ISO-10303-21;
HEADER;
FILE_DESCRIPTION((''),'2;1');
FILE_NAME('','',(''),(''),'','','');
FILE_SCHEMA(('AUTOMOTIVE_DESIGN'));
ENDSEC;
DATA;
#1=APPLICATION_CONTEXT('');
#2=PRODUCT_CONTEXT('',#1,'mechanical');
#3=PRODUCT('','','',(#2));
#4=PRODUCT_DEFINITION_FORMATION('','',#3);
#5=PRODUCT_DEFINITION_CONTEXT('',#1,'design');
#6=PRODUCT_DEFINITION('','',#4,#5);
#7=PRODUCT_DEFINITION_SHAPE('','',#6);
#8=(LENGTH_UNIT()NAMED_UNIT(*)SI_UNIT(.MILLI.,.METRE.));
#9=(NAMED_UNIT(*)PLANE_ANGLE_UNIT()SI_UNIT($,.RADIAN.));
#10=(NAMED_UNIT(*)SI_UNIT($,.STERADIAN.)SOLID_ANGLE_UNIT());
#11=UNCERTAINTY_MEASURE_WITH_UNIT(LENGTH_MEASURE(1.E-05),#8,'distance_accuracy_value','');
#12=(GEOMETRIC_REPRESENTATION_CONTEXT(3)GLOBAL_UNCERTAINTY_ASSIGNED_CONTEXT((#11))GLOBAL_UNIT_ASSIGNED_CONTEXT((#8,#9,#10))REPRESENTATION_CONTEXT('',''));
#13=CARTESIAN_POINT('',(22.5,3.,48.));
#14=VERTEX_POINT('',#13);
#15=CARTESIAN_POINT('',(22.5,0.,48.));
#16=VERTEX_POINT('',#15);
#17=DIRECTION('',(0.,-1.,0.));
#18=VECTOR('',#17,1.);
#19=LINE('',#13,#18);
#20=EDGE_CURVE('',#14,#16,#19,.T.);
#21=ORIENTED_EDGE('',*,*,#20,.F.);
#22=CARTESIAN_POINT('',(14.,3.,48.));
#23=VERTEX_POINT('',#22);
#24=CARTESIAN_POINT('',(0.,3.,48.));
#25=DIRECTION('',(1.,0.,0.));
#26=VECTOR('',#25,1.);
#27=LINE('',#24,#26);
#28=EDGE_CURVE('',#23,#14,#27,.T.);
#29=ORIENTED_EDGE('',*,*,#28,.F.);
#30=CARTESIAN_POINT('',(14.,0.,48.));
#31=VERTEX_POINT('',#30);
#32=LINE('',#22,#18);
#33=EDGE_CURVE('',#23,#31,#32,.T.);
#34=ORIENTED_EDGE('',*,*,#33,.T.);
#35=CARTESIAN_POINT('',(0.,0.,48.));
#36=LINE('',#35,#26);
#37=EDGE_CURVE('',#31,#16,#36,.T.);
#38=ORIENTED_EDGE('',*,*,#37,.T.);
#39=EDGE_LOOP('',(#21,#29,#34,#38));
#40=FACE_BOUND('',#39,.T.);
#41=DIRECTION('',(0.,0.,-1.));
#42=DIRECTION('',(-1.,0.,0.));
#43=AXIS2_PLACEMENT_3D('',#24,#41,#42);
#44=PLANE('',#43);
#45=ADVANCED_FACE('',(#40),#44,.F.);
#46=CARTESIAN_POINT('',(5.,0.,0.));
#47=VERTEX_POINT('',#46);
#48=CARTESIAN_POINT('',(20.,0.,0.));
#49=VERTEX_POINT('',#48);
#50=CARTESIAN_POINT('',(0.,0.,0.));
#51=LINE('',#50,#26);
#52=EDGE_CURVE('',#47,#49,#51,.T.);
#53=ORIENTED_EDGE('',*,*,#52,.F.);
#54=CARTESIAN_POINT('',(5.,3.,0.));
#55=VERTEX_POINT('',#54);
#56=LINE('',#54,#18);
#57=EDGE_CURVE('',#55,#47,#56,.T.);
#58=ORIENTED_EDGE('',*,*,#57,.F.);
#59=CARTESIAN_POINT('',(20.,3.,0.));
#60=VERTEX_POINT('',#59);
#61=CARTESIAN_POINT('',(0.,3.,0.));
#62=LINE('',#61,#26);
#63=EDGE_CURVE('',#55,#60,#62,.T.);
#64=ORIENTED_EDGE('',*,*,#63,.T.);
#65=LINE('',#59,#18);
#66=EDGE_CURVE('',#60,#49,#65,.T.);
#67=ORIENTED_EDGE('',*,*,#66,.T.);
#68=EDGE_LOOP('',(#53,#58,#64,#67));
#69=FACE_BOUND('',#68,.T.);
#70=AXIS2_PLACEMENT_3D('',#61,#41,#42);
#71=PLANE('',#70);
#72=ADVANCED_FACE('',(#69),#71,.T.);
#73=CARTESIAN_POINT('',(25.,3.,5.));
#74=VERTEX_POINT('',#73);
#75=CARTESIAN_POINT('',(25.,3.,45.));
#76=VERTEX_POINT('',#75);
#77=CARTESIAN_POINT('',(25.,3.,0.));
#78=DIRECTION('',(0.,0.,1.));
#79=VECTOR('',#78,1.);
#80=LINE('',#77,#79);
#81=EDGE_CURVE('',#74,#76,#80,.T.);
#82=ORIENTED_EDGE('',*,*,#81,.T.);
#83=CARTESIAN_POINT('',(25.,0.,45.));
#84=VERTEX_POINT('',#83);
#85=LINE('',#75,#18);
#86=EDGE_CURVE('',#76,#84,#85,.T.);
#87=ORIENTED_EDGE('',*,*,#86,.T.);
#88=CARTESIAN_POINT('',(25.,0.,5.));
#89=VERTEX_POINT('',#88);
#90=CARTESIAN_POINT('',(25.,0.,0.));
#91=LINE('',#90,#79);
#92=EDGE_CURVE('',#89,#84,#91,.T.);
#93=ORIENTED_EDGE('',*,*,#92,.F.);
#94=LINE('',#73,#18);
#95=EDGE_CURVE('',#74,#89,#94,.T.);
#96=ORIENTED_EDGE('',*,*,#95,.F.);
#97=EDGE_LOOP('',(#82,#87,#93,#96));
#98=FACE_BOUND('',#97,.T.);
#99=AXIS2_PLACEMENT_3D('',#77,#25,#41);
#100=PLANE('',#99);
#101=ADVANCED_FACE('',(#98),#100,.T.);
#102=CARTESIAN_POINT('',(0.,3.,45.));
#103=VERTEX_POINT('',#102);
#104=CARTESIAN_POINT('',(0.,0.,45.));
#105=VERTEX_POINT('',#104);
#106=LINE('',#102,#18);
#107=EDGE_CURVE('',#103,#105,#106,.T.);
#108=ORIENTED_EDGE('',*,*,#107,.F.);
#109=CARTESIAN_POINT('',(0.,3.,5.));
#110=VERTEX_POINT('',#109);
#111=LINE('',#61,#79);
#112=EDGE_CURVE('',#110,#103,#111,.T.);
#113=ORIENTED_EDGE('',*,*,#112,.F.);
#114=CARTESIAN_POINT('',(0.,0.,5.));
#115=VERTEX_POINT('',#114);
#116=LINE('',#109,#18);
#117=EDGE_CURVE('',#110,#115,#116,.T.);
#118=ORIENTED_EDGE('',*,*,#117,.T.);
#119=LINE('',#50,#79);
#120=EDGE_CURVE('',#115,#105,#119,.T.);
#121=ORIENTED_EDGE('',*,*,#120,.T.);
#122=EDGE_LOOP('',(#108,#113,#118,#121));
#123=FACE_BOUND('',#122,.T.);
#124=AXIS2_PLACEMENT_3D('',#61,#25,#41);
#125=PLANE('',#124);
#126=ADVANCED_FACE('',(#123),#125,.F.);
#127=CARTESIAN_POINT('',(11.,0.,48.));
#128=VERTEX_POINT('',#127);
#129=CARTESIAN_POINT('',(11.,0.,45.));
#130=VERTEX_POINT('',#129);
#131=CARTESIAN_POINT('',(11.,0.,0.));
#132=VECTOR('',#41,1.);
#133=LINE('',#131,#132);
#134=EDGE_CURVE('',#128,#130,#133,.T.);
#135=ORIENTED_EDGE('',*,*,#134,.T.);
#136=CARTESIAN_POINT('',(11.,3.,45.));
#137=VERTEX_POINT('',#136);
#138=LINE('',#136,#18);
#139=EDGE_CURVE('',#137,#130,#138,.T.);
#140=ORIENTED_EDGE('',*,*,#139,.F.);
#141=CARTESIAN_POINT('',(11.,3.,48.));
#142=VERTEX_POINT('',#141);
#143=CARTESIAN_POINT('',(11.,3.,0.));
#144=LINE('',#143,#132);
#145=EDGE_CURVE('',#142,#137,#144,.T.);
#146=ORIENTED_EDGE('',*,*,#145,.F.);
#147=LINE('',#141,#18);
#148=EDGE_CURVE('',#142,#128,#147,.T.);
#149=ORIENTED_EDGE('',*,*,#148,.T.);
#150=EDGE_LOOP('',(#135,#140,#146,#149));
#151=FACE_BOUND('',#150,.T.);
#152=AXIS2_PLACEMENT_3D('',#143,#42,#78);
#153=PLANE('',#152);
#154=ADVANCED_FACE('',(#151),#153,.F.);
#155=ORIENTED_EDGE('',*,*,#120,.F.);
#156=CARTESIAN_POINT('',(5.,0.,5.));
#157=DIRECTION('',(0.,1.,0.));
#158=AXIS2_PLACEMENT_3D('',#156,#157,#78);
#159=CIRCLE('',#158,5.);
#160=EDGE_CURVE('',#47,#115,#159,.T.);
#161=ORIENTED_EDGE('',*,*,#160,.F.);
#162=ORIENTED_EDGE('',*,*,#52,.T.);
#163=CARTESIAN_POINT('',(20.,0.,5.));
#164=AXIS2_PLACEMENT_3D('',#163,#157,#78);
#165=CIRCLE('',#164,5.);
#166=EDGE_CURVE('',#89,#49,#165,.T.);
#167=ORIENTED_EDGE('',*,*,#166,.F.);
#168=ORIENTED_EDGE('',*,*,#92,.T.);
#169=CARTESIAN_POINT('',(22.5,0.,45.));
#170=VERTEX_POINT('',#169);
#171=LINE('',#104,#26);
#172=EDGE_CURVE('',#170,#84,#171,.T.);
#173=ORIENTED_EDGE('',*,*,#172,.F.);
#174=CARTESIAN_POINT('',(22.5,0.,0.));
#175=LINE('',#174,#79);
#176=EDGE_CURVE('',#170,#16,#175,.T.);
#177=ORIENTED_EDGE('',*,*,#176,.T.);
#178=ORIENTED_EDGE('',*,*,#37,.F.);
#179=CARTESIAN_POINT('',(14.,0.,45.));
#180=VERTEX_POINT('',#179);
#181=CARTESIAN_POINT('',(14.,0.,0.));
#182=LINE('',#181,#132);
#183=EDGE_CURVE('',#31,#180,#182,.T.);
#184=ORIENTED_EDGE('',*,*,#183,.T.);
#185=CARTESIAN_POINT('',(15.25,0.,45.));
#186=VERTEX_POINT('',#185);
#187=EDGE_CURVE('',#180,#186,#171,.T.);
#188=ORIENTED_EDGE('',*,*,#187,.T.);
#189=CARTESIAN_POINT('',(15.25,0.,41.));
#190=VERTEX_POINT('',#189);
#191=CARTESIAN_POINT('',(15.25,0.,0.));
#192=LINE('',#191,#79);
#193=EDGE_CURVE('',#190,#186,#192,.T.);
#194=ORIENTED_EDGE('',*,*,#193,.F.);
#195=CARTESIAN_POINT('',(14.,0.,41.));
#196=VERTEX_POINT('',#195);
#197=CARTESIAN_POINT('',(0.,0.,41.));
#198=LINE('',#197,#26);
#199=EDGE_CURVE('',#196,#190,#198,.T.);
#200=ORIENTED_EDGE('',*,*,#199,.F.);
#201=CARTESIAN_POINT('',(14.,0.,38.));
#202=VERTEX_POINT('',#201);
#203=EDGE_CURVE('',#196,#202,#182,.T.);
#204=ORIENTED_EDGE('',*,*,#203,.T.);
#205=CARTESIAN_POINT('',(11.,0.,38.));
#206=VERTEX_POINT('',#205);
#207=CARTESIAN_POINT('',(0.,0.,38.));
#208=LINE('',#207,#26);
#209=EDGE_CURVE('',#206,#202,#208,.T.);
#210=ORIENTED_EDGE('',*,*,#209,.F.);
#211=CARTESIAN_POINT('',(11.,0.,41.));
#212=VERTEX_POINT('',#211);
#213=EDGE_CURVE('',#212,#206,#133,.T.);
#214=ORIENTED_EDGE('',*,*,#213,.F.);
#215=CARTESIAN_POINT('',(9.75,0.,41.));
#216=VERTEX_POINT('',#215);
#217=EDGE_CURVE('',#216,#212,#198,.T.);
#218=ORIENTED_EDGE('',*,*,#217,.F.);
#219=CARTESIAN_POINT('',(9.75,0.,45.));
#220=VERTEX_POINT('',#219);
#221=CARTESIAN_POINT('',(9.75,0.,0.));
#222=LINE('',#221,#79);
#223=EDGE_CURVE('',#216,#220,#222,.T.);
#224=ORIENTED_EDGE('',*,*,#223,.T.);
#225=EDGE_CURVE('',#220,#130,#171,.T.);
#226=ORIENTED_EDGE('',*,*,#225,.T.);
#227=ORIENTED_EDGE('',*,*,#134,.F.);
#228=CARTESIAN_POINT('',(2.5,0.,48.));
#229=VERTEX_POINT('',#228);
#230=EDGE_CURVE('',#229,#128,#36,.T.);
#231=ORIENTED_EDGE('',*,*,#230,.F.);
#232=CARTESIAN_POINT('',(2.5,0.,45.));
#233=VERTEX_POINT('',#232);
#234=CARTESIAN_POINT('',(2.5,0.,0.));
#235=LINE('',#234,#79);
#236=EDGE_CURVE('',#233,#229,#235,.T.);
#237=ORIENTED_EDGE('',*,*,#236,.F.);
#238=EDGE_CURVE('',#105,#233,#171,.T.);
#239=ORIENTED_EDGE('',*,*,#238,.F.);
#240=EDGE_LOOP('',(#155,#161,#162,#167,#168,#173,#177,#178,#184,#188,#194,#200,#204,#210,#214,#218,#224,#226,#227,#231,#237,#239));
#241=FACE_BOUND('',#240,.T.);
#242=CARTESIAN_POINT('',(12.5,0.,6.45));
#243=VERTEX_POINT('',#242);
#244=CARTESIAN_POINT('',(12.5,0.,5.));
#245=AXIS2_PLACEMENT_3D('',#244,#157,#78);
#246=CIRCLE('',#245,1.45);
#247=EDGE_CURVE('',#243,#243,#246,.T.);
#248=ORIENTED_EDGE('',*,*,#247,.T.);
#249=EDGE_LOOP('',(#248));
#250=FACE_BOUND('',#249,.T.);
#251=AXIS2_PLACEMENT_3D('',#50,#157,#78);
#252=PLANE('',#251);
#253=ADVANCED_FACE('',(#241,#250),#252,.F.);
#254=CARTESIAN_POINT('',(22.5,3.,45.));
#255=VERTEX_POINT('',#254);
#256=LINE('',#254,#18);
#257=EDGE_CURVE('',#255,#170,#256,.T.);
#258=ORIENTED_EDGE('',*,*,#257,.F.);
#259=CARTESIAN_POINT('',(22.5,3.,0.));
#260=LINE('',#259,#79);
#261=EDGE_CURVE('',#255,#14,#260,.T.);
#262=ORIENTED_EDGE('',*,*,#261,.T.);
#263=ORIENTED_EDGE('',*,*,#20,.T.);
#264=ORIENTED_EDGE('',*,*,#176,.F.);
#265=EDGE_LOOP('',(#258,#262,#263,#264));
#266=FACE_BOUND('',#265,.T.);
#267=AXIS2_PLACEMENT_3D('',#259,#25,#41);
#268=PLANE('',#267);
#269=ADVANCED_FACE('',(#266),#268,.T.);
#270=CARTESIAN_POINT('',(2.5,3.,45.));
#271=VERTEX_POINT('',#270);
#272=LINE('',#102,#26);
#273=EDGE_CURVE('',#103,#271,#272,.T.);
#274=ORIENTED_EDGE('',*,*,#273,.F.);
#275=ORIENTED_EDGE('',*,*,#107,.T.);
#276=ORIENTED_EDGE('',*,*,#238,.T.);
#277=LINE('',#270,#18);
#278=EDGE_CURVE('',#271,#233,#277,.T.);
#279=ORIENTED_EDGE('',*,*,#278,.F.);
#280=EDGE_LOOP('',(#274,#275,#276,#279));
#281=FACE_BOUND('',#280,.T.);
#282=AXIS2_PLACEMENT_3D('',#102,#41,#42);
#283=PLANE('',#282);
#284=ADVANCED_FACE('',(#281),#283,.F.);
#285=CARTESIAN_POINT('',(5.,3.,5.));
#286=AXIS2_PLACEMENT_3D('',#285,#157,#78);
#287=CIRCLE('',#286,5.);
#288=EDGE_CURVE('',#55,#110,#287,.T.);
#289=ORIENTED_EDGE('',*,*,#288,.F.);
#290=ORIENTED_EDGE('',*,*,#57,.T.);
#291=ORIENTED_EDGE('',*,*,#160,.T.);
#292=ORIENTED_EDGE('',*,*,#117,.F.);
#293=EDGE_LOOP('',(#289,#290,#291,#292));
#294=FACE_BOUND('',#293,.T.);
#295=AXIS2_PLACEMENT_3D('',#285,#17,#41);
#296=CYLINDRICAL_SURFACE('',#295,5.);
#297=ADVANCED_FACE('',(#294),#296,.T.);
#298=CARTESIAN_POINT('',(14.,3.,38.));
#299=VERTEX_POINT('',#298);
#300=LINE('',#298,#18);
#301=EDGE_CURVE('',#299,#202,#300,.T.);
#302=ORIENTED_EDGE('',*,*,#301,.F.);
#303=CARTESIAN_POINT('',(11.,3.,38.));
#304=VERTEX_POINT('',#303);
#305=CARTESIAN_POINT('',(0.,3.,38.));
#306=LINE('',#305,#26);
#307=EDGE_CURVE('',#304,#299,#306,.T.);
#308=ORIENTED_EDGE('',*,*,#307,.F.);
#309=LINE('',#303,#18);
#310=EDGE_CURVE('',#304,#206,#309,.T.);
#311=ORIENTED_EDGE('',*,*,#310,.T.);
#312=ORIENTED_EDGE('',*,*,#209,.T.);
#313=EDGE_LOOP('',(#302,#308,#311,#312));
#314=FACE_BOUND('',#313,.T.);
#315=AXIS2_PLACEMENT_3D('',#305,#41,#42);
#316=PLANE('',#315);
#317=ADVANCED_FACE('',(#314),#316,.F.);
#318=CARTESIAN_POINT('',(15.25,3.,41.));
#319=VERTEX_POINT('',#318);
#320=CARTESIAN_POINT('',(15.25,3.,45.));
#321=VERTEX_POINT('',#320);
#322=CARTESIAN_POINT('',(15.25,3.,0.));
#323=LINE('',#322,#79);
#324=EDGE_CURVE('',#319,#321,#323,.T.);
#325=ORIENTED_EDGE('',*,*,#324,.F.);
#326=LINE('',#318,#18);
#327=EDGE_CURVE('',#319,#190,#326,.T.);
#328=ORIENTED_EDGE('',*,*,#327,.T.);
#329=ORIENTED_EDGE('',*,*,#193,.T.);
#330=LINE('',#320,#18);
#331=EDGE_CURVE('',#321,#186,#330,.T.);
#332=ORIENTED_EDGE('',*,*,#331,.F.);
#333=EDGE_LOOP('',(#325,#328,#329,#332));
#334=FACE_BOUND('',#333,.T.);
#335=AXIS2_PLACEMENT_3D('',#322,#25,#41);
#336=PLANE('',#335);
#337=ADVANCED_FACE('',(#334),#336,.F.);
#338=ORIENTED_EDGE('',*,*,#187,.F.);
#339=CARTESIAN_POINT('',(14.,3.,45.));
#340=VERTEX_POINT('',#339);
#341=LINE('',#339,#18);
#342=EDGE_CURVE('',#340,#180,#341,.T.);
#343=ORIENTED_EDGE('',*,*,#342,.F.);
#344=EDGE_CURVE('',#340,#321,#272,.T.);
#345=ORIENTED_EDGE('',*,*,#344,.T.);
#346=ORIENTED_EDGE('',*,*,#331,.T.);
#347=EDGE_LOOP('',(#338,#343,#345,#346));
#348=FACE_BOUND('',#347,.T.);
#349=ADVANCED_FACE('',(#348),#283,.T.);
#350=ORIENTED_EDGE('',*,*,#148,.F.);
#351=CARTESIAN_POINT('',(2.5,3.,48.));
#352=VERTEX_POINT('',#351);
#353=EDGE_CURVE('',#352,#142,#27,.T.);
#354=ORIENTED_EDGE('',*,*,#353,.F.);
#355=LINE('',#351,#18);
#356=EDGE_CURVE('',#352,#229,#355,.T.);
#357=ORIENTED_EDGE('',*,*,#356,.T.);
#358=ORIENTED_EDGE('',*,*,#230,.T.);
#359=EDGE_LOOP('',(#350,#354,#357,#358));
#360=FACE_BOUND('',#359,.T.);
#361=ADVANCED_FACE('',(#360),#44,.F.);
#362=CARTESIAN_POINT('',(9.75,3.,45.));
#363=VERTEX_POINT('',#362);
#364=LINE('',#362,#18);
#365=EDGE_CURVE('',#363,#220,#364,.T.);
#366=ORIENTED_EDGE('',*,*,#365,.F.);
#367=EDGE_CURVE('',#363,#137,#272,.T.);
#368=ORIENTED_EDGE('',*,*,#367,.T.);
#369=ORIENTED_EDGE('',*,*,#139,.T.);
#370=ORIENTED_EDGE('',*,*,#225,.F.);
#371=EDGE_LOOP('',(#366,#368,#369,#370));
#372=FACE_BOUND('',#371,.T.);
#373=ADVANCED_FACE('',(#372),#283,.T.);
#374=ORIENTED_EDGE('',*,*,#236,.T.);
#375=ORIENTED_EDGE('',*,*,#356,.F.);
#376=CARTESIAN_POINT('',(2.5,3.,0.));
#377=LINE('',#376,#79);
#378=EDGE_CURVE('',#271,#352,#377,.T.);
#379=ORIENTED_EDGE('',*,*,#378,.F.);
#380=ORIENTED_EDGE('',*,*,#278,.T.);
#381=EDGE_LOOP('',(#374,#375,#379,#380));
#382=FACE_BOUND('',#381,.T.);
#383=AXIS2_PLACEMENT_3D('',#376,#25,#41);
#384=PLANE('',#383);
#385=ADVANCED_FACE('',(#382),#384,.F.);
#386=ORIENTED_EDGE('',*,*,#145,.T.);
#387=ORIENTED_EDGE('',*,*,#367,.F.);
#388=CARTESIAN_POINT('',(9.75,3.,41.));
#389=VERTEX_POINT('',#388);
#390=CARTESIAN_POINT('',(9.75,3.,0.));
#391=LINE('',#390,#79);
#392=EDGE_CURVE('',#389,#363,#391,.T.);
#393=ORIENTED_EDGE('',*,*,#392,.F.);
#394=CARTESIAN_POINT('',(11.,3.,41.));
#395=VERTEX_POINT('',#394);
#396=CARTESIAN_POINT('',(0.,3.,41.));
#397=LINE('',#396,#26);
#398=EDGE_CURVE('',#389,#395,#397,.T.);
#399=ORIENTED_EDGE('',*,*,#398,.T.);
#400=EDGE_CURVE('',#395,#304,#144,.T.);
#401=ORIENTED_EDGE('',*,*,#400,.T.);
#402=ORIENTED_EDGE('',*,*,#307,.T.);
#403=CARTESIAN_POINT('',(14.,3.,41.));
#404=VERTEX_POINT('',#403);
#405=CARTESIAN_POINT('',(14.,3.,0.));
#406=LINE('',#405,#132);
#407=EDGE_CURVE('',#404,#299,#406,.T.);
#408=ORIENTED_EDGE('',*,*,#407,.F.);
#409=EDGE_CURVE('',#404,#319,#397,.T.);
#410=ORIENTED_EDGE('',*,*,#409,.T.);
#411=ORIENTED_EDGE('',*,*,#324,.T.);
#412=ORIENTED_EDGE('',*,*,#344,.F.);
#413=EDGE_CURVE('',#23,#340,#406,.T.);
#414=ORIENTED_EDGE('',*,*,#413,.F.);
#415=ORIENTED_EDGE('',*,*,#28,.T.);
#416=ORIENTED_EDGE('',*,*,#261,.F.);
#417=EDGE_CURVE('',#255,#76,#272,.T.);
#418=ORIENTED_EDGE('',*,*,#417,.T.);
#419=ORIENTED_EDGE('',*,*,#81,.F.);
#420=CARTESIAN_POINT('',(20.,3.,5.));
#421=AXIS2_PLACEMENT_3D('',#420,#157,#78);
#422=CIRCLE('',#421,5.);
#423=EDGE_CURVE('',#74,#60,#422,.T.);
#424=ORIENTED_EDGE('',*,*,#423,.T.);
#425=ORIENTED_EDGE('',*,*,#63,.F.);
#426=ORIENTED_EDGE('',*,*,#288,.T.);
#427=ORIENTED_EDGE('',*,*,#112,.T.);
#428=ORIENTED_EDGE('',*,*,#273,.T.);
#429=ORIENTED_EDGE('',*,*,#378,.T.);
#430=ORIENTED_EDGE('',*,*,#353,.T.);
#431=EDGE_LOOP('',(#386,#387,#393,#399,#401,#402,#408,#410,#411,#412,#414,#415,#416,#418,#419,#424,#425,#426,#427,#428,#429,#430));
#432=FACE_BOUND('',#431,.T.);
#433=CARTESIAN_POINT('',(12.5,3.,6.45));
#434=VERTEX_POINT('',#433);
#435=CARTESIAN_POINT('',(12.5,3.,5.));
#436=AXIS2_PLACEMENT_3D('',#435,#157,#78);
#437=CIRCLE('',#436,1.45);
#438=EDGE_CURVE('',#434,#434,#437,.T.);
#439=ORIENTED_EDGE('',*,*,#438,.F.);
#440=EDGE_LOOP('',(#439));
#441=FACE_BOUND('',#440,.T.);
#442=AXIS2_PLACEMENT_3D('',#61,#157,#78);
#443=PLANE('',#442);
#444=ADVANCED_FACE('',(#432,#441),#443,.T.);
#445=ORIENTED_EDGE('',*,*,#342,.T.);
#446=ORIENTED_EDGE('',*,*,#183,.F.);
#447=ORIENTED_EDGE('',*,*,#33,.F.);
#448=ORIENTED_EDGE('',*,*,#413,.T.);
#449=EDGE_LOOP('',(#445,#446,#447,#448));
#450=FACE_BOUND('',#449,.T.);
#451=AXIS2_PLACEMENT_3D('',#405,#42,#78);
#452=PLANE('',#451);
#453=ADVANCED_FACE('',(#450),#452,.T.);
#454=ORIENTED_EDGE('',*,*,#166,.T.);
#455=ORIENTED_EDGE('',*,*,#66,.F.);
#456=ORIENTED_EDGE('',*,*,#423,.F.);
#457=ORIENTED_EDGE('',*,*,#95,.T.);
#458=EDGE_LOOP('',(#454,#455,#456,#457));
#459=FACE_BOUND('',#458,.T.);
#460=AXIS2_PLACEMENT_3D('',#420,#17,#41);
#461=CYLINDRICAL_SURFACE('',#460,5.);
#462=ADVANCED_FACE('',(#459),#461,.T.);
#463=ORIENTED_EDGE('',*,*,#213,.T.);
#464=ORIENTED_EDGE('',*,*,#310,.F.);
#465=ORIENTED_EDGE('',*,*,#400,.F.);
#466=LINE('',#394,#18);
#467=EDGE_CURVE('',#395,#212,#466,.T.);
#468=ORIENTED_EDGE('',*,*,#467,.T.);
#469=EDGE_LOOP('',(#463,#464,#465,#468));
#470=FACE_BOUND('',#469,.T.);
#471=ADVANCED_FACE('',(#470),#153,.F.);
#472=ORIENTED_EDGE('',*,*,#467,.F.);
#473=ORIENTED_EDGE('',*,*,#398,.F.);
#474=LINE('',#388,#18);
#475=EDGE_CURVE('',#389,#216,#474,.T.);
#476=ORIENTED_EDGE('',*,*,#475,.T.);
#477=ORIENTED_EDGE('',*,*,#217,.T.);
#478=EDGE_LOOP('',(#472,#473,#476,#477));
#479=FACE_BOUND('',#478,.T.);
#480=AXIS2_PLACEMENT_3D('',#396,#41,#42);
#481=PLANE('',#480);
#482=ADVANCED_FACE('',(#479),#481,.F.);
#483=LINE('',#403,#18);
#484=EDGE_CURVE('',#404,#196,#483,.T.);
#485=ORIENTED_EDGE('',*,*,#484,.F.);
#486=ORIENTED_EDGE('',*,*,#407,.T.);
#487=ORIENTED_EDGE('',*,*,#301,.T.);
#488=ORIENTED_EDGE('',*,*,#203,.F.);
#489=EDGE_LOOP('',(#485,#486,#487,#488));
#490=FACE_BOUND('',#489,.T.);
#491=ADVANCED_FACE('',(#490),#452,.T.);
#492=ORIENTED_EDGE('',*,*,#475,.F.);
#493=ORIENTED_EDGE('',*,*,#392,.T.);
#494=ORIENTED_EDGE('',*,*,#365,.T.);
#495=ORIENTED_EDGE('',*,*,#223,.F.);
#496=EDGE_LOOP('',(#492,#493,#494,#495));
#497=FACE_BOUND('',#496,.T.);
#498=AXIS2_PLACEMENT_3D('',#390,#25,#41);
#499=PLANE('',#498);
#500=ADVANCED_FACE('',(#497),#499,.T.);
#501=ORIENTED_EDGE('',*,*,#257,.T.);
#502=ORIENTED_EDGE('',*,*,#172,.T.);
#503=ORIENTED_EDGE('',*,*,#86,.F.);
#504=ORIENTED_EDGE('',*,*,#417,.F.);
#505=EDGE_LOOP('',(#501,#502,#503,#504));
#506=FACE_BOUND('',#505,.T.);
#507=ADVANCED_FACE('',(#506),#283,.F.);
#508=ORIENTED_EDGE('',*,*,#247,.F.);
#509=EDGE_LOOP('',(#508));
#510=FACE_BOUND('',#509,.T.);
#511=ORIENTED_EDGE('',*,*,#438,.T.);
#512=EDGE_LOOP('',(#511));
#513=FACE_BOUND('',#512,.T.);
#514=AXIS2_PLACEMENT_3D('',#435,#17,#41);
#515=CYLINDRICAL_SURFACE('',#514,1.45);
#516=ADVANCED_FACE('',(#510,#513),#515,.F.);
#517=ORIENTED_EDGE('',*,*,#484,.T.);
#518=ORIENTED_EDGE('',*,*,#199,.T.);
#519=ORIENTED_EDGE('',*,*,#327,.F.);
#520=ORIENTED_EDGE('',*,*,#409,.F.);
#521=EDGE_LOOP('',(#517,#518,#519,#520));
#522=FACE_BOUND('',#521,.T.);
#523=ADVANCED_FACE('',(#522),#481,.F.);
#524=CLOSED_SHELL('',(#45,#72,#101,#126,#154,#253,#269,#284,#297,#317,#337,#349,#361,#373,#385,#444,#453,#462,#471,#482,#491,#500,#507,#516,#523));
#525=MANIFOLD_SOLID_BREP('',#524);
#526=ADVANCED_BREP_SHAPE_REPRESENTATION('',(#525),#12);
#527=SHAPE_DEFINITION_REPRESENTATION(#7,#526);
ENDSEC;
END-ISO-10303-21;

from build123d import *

# Parameters (mm, degrees)
SKETCH_1_R      = 1.45
EXTRUDE_1_DEPTH = 3


with BuildPart() as part:
    # 草图1 → 凸台-拉伸1 (new body)
    # profile 1 of 3: a face of its own
    with BuildSketch(Plane(origin=(0, 0, 0), x_dir=(1, 0, 0), z_dir=(0, 1, 0))):
        with BuildLine():
            Line((20, 0), (5, 0))
            ThreePointArc((5, 0), (1.464466094, -1.464466094), (0, -5))
            Line((0, -5), (0, -45))
            Line((0, -45), (2.5, -45))
            Line((2.5, -45), (9.75, -45))
            Line((9.75, -45), (9.75, -41))
            Line((9.75, -41), (11, -41))
            Line((11, -41), (11, -38))
            Line((11, -38), (14, -38))
            Line((14, -38), (14, -41))
            Line((14, -41), (15.25, -41))
            Line((15.25, -41), (15.25, -45))
            Line((15.25, -45), (22.5, -45))
            Line((22.5, -45), (25, -45))
            Line((25, -45), (25, -5))
            ThreePointArc((25, -5), (23.535533906, -1.464466094), (20, 0))
        make_face()
        with Locations(Location((12.5, -5, 0), (0, 0, 270))):
            Circle(SKETCH_1_R, mode=Mode.SUBTRACT)
    # profile 2 of 3: a face of its own
    with BuildSketch(Plane(origin=(0, 0, 0), x_dir=(1, 0, 0), z_dir=(0, 1, 0))):
        Polygon((22.5, -48), (22.5, -45), (15.25, -45), (14, -45), (14, -48), align=None)
    # profile 3 of 3: a face of its own
    with BuildSketch(Plane(origin=(0, 0, 0), x_dir=(1, 0, 0), z_dir=(0, 1, 0))):
        Polygon((9.75, -45), (2.5, -45), (2.5, -48), (11, -48), (11, -45), align=None)
    extrude(amount=EXTRUDE_1_DEPTH)


solid = part.part
